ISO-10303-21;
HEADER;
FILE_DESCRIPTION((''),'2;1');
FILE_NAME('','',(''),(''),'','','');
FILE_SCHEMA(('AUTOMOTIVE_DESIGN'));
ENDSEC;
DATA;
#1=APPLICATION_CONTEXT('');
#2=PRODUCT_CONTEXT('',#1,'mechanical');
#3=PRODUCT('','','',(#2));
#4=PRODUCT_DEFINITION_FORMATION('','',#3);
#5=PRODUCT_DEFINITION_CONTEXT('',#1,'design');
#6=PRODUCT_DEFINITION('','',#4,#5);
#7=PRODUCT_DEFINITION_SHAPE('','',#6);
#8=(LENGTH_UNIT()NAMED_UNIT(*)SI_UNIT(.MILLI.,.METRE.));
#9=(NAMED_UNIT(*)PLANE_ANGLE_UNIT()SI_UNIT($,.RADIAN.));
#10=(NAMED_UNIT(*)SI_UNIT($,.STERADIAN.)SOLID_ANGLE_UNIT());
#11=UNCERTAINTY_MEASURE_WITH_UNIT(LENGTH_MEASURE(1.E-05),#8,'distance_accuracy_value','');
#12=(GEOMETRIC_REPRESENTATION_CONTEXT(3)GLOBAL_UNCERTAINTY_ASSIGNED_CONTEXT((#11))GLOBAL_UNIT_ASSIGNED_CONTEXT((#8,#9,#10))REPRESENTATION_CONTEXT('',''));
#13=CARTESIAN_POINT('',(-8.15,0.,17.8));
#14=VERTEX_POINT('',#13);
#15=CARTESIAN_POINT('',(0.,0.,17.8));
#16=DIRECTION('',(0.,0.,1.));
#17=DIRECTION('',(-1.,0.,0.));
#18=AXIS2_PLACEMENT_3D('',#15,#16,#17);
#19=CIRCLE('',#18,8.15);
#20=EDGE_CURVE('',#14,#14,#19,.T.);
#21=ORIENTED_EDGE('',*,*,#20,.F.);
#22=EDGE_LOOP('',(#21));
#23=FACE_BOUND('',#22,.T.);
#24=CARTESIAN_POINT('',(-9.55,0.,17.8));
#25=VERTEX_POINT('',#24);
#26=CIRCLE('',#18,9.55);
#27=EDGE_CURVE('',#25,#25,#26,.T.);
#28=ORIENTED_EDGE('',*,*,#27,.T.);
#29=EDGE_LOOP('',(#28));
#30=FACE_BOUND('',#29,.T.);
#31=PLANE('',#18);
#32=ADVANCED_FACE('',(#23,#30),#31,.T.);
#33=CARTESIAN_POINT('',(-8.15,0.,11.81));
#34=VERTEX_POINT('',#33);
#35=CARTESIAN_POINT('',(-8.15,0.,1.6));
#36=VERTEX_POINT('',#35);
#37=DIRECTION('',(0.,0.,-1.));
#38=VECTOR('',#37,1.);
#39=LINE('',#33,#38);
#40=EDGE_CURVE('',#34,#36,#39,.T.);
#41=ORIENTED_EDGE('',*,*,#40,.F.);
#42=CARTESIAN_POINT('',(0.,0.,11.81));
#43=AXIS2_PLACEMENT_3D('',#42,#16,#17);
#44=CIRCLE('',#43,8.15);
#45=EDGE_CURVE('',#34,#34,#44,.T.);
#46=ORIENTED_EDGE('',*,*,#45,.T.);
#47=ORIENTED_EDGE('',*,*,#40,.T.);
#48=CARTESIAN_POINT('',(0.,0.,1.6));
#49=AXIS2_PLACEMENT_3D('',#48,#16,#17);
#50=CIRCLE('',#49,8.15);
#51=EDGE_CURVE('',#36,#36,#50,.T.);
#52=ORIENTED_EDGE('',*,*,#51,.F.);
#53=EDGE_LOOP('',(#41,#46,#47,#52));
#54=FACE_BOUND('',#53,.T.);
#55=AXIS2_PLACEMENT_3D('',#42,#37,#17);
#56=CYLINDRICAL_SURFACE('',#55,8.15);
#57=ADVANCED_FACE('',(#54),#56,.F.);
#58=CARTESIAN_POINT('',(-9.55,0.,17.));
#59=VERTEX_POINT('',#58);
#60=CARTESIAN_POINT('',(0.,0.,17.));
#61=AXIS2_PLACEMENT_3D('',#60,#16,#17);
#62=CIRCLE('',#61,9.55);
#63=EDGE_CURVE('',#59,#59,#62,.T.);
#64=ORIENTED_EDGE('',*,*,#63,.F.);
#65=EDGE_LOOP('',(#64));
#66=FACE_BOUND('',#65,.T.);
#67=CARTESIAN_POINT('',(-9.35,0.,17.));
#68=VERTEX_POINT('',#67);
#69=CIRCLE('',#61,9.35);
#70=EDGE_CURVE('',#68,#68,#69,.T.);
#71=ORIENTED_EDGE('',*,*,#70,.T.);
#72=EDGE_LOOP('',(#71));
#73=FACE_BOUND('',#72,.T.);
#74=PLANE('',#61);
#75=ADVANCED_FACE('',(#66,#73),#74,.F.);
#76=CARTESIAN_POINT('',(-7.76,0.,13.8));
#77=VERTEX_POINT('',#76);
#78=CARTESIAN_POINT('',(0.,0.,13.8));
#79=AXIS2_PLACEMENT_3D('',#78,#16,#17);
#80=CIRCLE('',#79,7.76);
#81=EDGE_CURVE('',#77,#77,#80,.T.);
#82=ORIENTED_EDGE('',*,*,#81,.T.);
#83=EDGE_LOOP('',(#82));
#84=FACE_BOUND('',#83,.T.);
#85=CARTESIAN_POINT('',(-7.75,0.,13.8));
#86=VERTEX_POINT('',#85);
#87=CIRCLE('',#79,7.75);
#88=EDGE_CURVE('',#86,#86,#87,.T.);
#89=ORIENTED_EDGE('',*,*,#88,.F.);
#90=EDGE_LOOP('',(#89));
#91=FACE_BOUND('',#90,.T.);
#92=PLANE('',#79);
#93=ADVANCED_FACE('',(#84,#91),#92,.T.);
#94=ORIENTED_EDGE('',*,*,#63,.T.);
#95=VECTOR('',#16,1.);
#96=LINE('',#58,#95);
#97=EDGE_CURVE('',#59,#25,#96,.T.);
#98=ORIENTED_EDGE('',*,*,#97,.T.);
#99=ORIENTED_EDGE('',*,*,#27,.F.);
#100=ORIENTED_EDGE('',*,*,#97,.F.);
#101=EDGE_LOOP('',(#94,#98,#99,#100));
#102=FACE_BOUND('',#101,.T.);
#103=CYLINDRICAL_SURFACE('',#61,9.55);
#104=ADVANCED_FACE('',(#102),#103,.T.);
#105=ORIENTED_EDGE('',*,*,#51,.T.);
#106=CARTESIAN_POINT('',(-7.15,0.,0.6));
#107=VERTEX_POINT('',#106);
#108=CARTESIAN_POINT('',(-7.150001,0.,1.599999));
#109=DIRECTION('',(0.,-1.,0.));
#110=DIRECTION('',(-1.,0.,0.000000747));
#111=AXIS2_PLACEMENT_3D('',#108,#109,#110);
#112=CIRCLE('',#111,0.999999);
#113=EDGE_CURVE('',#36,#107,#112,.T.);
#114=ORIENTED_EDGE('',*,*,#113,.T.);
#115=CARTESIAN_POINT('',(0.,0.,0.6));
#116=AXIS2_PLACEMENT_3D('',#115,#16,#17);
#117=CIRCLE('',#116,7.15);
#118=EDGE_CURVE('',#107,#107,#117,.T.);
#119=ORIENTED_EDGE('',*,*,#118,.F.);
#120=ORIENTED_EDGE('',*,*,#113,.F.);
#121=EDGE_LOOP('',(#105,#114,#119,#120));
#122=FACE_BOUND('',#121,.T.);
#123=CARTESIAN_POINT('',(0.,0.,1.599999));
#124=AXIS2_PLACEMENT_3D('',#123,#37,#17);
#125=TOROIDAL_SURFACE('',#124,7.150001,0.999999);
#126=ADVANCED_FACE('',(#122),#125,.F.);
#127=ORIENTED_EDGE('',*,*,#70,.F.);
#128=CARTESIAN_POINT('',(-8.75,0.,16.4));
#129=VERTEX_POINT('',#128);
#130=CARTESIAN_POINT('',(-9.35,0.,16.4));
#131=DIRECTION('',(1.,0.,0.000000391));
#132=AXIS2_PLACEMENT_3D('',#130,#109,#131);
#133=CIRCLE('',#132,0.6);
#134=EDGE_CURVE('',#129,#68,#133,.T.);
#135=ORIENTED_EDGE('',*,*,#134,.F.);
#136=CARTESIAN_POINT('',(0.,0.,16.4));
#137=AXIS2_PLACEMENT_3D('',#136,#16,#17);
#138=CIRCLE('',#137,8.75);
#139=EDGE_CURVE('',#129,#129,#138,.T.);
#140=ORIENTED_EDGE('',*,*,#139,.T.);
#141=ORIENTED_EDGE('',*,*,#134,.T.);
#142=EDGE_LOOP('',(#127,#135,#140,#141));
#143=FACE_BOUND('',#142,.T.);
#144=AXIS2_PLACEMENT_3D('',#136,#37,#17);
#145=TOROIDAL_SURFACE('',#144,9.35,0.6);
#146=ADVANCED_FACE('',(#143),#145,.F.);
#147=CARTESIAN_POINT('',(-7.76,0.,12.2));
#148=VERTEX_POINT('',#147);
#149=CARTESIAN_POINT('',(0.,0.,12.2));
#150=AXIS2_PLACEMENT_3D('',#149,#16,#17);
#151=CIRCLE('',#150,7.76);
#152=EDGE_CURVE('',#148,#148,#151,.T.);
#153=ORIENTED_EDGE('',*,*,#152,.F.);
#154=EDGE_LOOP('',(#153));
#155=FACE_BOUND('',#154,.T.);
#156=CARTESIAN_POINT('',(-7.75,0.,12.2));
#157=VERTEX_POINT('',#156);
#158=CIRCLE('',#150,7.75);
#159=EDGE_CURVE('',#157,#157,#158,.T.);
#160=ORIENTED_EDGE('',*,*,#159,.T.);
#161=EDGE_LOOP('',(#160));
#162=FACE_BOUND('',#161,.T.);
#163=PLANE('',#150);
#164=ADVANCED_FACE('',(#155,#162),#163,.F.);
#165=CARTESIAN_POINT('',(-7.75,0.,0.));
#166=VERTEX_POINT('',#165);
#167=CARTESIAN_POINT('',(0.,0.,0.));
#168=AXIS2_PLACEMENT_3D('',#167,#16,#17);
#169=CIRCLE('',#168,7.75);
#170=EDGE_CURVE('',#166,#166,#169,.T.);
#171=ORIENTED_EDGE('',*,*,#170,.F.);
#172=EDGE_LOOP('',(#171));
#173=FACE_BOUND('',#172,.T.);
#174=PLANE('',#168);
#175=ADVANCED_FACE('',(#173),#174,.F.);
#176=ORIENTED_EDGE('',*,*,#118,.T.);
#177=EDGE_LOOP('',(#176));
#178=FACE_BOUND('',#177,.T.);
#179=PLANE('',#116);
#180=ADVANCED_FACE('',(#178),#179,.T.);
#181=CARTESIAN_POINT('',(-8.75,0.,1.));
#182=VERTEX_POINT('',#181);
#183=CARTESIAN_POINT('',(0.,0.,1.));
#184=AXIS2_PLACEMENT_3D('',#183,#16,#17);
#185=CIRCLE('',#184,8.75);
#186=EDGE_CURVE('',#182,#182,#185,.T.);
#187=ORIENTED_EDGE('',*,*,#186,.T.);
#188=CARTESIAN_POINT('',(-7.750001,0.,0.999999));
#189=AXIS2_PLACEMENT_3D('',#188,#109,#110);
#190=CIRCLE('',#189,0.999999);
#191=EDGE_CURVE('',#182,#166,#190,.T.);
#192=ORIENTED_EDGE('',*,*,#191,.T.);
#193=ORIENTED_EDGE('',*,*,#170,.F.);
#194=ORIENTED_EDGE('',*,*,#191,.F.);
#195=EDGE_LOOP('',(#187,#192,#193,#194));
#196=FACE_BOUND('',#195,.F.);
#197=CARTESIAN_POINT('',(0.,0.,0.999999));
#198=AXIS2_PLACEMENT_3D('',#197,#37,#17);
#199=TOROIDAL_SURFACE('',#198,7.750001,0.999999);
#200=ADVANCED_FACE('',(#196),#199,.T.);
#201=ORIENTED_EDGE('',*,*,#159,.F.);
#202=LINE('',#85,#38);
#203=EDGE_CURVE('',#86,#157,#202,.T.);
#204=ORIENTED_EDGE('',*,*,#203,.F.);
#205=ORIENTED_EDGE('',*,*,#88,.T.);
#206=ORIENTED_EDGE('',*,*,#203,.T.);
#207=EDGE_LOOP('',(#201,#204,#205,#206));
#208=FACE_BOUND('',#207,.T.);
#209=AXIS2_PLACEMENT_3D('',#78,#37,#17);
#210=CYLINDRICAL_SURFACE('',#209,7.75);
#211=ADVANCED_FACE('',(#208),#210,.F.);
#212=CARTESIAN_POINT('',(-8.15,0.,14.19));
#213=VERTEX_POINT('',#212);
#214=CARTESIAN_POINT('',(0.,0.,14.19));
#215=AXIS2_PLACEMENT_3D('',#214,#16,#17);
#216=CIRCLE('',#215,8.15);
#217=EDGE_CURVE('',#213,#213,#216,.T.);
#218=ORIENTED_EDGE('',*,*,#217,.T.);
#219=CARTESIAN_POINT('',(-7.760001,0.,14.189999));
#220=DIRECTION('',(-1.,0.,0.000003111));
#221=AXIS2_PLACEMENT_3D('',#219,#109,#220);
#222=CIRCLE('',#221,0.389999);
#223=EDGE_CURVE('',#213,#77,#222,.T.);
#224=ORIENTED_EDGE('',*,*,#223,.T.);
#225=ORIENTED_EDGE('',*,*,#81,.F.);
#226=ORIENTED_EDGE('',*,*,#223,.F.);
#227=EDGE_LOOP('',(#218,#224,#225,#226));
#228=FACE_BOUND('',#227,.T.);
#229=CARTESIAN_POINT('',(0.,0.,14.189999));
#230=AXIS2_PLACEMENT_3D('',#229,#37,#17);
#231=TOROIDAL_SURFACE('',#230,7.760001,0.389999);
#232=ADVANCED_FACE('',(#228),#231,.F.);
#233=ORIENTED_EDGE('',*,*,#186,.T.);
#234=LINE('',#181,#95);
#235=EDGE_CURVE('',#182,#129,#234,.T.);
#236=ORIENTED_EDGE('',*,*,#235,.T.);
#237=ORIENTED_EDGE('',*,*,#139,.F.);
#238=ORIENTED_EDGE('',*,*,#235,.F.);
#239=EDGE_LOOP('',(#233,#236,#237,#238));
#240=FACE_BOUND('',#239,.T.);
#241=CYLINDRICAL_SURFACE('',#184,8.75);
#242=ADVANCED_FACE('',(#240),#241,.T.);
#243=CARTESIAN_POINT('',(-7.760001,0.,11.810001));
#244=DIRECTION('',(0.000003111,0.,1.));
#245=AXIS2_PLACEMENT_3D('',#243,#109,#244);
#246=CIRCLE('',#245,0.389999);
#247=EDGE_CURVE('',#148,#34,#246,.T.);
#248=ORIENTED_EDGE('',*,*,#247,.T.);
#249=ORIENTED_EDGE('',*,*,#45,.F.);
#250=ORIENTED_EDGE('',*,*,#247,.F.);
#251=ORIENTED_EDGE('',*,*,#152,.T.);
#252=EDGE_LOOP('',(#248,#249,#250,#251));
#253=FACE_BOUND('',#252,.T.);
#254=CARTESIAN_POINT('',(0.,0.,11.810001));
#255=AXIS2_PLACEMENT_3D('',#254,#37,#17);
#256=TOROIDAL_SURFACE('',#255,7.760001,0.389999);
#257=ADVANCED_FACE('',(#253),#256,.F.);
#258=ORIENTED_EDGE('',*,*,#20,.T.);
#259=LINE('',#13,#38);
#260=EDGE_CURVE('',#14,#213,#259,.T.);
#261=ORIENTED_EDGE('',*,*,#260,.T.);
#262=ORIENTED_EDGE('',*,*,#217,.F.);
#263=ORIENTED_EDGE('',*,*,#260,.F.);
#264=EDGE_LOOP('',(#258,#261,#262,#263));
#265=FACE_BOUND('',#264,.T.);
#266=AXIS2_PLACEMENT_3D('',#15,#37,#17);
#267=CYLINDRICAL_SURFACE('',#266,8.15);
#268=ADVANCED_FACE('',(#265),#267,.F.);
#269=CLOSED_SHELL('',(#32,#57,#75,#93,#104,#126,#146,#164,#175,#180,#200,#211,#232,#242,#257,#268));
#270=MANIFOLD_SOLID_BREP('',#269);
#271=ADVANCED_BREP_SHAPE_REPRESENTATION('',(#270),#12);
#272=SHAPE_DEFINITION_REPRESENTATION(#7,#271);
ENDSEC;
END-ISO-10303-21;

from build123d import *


with BuildPart() as part:
    # Sketch → Revolution (revolve)
    with BuildSketch(Plane.XZ):
        with BuildLine():
            Line((0, 0), (-7.75, 0))
            ThreePointArc((-8.75, 1), (-8.457107, 0.292893), (-7.75, 0))
            Line((-8.75, 1), (-8.75, 16.4))
            ThreePointArc((-8.75, 16.4), (-8.925736, 16.824264), (-9.35, 17))
            Line((-9.35, 17), (-9.55, 17))
            Line((-9.55, 17), (-9.55, 17.8))
            Line((-9.55, 17.8), (-8.15, 17.8))
            Line((-8.15, 17.8), (-8.15, 14.19))
            ThreePointArc((-8.15, 14.19), (-8.035772, 13.914228), (-7.76, 13.8))
            Line((-7.76, 13.8), (-7.75, 13.8))
            Line((-7.75, 13.8), (-7.75, 12.2))
            Line((-7.75, 12.2), (-7.76, 12.2))
            ThreePointArc((-7.76, 12.2), (-8.035772, 12.085772), (-8.15, 11.81))
            Line((-8.15, 11.81), (-8.15, 1.6))
            ThreePointArc((-8.15, 1.6), (-7.857107, 0.892893), (-7.15, 0.6))
            Line((-7.15, 0.6), (0, 0.6))
            Line((0, 0.6), (0, 0))
        make_face()
    revolve(axis=Axis((0, 0, 0), (0, 0, 1)))


solid = part.part
